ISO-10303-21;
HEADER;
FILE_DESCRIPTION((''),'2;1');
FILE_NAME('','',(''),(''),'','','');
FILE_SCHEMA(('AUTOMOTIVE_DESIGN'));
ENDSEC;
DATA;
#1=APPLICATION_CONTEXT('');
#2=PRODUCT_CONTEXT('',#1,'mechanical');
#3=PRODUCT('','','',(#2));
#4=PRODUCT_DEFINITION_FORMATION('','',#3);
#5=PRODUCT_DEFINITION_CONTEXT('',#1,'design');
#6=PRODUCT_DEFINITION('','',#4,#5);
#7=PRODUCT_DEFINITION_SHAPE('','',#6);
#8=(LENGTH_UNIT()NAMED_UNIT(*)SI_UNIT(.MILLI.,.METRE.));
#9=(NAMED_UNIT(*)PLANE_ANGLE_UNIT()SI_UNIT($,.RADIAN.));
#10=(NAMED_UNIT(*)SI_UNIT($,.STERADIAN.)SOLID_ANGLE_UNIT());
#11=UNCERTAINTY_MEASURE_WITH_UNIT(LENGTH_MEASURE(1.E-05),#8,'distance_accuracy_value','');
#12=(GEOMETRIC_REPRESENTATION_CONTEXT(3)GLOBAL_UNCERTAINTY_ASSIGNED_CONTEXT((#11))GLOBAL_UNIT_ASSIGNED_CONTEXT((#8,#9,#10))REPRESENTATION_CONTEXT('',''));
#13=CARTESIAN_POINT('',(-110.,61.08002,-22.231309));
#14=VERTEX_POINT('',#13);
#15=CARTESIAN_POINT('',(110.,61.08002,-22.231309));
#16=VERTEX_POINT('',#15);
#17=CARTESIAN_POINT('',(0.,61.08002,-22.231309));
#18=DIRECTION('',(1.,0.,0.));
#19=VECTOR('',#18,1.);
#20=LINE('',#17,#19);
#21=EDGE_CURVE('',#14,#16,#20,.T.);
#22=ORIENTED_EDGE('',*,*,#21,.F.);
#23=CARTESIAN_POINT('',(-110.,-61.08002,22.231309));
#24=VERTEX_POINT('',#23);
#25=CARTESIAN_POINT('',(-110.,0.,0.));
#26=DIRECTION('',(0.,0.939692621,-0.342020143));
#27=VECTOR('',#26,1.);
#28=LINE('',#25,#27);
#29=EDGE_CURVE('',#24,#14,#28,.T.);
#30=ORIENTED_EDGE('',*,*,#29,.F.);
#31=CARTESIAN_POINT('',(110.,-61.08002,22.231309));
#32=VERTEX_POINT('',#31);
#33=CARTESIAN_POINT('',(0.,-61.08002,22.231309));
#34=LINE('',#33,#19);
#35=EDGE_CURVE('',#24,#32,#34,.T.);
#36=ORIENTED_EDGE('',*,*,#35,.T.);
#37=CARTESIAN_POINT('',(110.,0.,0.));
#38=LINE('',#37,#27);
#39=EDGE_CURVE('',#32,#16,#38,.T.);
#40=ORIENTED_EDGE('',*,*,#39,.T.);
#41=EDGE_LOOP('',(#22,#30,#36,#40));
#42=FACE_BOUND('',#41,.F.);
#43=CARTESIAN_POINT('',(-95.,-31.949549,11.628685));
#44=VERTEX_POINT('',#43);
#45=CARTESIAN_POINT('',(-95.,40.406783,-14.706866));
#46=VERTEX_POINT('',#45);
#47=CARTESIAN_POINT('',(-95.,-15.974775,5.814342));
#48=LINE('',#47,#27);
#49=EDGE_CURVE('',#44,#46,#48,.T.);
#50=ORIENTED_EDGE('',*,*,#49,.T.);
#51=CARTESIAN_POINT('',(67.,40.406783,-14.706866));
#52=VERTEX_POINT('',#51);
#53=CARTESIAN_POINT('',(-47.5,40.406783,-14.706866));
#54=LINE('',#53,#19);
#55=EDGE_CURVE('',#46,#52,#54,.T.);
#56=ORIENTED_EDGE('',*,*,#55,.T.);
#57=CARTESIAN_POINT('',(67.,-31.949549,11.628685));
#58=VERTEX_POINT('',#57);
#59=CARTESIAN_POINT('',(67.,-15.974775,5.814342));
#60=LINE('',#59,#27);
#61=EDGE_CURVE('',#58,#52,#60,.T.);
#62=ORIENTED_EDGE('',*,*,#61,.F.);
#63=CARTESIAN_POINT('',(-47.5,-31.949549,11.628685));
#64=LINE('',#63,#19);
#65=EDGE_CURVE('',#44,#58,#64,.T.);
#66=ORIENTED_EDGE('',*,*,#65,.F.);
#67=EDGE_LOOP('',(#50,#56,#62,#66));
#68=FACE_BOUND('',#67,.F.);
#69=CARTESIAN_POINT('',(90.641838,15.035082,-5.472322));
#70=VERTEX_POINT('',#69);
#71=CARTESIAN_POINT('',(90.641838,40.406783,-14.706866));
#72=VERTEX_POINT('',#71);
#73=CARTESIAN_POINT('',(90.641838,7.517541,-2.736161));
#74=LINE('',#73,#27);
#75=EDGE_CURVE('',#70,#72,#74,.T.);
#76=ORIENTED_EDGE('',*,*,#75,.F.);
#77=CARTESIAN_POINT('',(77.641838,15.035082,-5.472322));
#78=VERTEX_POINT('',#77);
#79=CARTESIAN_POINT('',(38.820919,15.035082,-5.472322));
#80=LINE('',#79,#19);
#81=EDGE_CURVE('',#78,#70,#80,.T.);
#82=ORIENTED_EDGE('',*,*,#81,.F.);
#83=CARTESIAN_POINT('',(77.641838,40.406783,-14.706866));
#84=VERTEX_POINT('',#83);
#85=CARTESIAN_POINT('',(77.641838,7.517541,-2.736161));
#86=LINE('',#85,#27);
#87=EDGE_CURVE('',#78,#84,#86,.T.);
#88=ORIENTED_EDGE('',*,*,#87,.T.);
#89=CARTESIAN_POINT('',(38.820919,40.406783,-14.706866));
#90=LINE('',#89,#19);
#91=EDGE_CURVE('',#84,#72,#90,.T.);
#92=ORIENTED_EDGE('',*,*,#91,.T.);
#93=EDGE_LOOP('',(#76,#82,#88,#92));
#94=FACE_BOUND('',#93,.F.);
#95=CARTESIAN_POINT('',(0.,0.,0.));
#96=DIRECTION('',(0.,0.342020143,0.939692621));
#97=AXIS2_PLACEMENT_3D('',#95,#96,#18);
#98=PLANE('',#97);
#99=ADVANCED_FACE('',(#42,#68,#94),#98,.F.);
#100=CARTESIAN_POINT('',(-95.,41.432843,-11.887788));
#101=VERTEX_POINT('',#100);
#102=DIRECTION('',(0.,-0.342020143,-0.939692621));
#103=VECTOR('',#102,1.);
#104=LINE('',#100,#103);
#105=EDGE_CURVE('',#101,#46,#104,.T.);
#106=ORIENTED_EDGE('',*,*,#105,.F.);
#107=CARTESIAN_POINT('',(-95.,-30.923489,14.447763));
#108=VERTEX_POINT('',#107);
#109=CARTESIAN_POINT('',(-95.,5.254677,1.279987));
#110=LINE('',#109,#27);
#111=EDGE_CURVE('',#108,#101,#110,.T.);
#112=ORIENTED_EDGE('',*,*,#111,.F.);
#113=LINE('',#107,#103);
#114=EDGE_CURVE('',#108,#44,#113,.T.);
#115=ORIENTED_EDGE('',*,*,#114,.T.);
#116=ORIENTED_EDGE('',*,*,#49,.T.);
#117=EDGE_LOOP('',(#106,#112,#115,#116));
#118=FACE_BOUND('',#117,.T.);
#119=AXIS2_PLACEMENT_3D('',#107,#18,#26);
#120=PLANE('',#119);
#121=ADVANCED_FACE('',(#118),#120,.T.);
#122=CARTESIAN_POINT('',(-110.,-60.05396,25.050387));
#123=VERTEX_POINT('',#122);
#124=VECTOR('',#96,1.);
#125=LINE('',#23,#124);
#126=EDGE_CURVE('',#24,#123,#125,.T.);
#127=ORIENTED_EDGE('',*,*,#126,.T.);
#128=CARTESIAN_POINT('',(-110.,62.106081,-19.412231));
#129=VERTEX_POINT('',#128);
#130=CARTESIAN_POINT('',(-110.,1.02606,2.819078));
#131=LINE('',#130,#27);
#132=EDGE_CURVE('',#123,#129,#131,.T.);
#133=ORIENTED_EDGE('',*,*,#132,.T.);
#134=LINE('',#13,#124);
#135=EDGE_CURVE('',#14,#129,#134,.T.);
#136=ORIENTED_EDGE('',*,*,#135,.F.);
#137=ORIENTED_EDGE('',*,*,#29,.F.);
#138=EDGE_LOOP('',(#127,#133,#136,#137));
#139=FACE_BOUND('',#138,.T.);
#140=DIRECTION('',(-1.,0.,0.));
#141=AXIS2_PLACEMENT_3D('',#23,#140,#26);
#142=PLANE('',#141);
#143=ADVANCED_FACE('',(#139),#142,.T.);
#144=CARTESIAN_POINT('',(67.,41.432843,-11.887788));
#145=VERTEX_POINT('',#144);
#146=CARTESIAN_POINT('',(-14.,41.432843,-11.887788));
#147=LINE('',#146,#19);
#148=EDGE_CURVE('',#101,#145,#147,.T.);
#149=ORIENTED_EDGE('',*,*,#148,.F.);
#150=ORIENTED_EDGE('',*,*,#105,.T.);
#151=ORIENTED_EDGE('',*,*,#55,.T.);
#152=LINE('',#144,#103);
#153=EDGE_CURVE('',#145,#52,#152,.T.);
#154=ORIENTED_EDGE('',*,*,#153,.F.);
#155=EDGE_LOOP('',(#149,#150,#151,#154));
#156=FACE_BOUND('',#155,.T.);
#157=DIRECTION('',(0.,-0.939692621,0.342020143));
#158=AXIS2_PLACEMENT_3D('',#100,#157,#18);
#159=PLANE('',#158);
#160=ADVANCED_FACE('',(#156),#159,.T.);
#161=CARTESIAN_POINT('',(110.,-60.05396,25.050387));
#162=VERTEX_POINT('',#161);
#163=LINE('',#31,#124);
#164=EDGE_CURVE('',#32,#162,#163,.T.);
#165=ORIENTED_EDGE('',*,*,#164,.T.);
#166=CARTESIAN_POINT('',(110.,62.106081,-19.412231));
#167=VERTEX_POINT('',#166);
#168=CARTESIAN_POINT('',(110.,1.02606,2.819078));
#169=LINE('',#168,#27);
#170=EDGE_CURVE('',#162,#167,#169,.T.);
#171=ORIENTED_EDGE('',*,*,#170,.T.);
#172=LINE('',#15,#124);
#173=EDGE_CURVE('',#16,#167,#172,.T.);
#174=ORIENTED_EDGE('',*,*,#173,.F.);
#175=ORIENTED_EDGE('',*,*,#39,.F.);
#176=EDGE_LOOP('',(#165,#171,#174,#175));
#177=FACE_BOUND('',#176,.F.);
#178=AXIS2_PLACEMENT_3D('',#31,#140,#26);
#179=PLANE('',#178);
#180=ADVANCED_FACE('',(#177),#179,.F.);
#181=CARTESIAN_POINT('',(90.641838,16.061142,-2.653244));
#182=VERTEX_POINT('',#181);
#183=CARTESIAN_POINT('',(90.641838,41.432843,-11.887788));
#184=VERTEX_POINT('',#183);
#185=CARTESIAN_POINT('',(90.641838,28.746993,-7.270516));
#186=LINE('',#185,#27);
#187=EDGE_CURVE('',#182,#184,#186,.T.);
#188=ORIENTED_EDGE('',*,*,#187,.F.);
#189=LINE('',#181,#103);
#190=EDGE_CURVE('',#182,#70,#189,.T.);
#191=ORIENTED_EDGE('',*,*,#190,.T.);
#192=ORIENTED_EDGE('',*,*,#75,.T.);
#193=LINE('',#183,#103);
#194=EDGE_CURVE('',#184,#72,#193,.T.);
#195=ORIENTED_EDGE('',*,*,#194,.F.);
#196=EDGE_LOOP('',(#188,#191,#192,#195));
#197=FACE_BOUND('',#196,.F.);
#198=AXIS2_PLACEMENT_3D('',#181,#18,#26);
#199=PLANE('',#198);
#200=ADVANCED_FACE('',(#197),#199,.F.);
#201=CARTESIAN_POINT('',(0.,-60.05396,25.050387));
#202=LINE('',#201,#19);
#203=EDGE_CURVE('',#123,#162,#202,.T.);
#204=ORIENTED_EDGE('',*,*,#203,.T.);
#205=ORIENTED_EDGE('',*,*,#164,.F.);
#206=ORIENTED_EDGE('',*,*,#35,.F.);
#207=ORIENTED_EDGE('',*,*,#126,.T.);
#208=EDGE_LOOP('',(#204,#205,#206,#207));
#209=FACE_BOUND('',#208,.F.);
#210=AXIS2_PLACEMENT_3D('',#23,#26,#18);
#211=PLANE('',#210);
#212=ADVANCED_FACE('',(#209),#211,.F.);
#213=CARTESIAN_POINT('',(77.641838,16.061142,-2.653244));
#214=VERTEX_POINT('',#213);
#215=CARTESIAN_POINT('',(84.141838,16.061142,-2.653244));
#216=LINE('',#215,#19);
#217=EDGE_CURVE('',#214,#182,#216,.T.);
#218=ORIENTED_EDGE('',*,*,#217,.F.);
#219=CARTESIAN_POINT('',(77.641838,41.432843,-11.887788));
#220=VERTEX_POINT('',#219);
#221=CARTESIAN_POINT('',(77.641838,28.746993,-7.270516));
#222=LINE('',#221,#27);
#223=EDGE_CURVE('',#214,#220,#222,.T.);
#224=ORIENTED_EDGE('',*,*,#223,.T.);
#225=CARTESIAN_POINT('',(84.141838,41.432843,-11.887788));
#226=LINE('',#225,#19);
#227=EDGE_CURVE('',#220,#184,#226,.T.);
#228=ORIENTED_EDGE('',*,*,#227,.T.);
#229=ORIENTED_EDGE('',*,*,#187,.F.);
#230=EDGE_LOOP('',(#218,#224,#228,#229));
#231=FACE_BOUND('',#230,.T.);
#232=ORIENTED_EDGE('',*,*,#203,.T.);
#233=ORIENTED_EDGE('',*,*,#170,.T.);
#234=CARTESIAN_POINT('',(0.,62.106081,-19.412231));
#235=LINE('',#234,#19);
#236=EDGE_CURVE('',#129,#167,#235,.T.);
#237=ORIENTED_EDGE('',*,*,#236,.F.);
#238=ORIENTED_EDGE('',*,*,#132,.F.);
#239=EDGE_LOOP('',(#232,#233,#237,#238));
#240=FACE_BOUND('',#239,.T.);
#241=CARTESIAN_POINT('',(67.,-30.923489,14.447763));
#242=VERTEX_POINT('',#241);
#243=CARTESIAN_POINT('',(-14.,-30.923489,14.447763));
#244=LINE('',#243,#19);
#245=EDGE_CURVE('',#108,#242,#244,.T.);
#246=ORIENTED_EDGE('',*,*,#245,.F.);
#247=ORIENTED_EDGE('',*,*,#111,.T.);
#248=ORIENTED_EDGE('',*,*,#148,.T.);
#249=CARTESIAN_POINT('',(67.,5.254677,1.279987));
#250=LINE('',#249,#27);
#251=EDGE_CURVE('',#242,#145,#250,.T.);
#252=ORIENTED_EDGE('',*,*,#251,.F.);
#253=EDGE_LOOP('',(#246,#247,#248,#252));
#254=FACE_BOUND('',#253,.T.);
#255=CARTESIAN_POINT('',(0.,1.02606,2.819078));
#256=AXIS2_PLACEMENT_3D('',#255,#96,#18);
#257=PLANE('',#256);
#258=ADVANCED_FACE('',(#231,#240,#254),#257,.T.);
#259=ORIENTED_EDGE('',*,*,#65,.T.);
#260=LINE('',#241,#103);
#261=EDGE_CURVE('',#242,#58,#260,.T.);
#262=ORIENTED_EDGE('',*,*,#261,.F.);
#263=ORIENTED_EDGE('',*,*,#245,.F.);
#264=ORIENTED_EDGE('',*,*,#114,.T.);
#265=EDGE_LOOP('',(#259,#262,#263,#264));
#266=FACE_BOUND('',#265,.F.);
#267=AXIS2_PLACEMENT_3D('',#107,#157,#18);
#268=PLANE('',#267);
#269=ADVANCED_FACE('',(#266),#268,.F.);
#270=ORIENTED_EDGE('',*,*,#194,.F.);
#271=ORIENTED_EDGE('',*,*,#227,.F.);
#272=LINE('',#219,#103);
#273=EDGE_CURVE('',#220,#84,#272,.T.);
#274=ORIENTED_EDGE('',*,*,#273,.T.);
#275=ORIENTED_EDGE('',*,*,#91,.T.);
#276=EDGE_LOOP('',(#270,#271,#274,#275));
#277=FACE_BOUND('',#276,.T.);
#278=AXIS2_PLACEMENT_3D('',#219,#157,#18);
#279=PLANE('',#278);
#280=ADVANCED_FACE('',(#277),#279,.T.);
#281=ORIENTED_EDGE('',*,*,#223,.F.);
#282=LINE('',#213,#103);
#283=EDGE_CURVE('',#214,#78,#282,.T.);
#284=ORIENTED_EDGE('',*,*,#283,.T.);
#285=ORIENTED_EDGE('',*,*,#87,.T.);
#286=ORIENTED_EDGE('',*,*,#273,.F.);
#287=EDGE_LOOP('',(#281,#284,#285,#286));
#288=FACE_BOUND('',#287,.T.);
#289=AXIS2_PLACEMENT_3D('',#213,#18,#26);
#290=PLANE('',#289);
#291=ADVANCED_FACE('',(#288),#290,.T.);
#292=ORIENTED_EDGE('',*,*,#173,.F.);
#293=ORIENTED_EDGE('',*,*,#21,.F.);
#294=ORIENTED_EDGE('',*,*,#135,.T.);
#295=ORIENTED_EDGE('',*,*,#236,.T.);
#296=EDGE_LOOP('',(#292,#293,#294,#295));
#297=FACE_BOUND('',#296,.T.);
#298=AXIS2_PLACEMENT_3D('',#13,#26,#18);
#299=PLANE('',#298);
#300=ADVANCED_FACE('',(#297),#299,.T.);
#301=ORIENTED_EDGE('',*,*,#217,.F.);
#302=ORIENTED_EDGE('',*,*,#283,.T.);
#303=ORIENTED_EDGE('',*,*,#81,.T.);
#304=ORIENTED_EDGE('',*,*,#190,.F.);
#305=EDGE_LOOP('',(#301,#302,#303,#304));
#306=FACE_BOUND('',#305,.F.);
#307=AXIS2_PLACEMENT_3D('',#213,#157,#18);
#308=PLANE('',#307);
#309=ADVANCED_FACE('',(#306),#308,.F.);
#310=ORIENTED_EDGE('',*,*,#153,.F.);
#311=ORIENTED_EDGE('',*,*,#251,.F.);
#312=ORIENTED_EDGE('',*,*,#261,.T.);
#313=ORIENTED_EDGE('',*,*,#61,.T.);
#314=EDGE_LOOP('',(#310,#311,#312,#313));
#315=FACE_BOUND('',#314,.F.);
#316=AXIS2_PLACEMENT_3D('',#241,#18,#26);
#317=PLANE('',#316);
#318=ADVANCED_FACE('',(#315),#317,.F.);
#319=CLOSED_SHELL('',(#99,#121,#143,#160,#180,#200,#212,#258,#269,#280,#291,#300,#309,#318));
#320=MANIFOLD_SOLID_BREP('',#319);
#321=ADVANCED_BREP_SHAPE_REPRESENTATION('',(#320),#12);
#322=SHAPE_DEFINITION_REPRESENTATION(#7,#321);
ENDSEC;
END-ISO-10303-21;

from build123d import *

# Parameters (mm, degrees)
SKETCH_W             = 220
SKETCH_H             = 130
PAD_DEPTH            = 3
SKETCH001_W          = 162
SKETCH001_H          = 77
POCKET_DEPTH         = 3.001
SKETCH002_W          = 13
SKETCH002_H          = 27
POCKET001_DEPTH      = 3.001
BODY_PLACEMENT_ANGLE = 340


with BuildPart() as part:
    # Sketch → Pad (new body)
    with BuildSketch(Plane.XY):
        Rectangle(SKETCH_W, SKETCH_H)
    extrude(amount=PAD_DEPTH)

    # Sketch001 (on Face6 of Pad) → Pocket (cut, through all)
    with BuildSketch(Plane.XY.offset(3)):
        with Locations((-14, 4.5)):
            Rectangle(SKETCH001_W, SKETCH001_H)
    extrude(amount=-POCKET_DEPTH, mode=Mode.SUBTRACT)

    # Sketch002 (on Face5 of Pocket) → Pocket001 (cut, through all)
    with BuildSketch(Plane.XY.offset(3)):
        with Locations((84.141838, 29.5)):
            Rectangle(SKETCH002_W, SKETCH002_H)
    extrude(amount=-POCKET001_DEPTH, mode=Mode.SUBTRACT)


with BuildPart() as part_1:
    # Body placement: moved
    add(part.part.rotate(Axis((0, 0, 0), (1, 0, 0)), BODY_PLACEMENT_ANGLE))


solid = part_1.part
